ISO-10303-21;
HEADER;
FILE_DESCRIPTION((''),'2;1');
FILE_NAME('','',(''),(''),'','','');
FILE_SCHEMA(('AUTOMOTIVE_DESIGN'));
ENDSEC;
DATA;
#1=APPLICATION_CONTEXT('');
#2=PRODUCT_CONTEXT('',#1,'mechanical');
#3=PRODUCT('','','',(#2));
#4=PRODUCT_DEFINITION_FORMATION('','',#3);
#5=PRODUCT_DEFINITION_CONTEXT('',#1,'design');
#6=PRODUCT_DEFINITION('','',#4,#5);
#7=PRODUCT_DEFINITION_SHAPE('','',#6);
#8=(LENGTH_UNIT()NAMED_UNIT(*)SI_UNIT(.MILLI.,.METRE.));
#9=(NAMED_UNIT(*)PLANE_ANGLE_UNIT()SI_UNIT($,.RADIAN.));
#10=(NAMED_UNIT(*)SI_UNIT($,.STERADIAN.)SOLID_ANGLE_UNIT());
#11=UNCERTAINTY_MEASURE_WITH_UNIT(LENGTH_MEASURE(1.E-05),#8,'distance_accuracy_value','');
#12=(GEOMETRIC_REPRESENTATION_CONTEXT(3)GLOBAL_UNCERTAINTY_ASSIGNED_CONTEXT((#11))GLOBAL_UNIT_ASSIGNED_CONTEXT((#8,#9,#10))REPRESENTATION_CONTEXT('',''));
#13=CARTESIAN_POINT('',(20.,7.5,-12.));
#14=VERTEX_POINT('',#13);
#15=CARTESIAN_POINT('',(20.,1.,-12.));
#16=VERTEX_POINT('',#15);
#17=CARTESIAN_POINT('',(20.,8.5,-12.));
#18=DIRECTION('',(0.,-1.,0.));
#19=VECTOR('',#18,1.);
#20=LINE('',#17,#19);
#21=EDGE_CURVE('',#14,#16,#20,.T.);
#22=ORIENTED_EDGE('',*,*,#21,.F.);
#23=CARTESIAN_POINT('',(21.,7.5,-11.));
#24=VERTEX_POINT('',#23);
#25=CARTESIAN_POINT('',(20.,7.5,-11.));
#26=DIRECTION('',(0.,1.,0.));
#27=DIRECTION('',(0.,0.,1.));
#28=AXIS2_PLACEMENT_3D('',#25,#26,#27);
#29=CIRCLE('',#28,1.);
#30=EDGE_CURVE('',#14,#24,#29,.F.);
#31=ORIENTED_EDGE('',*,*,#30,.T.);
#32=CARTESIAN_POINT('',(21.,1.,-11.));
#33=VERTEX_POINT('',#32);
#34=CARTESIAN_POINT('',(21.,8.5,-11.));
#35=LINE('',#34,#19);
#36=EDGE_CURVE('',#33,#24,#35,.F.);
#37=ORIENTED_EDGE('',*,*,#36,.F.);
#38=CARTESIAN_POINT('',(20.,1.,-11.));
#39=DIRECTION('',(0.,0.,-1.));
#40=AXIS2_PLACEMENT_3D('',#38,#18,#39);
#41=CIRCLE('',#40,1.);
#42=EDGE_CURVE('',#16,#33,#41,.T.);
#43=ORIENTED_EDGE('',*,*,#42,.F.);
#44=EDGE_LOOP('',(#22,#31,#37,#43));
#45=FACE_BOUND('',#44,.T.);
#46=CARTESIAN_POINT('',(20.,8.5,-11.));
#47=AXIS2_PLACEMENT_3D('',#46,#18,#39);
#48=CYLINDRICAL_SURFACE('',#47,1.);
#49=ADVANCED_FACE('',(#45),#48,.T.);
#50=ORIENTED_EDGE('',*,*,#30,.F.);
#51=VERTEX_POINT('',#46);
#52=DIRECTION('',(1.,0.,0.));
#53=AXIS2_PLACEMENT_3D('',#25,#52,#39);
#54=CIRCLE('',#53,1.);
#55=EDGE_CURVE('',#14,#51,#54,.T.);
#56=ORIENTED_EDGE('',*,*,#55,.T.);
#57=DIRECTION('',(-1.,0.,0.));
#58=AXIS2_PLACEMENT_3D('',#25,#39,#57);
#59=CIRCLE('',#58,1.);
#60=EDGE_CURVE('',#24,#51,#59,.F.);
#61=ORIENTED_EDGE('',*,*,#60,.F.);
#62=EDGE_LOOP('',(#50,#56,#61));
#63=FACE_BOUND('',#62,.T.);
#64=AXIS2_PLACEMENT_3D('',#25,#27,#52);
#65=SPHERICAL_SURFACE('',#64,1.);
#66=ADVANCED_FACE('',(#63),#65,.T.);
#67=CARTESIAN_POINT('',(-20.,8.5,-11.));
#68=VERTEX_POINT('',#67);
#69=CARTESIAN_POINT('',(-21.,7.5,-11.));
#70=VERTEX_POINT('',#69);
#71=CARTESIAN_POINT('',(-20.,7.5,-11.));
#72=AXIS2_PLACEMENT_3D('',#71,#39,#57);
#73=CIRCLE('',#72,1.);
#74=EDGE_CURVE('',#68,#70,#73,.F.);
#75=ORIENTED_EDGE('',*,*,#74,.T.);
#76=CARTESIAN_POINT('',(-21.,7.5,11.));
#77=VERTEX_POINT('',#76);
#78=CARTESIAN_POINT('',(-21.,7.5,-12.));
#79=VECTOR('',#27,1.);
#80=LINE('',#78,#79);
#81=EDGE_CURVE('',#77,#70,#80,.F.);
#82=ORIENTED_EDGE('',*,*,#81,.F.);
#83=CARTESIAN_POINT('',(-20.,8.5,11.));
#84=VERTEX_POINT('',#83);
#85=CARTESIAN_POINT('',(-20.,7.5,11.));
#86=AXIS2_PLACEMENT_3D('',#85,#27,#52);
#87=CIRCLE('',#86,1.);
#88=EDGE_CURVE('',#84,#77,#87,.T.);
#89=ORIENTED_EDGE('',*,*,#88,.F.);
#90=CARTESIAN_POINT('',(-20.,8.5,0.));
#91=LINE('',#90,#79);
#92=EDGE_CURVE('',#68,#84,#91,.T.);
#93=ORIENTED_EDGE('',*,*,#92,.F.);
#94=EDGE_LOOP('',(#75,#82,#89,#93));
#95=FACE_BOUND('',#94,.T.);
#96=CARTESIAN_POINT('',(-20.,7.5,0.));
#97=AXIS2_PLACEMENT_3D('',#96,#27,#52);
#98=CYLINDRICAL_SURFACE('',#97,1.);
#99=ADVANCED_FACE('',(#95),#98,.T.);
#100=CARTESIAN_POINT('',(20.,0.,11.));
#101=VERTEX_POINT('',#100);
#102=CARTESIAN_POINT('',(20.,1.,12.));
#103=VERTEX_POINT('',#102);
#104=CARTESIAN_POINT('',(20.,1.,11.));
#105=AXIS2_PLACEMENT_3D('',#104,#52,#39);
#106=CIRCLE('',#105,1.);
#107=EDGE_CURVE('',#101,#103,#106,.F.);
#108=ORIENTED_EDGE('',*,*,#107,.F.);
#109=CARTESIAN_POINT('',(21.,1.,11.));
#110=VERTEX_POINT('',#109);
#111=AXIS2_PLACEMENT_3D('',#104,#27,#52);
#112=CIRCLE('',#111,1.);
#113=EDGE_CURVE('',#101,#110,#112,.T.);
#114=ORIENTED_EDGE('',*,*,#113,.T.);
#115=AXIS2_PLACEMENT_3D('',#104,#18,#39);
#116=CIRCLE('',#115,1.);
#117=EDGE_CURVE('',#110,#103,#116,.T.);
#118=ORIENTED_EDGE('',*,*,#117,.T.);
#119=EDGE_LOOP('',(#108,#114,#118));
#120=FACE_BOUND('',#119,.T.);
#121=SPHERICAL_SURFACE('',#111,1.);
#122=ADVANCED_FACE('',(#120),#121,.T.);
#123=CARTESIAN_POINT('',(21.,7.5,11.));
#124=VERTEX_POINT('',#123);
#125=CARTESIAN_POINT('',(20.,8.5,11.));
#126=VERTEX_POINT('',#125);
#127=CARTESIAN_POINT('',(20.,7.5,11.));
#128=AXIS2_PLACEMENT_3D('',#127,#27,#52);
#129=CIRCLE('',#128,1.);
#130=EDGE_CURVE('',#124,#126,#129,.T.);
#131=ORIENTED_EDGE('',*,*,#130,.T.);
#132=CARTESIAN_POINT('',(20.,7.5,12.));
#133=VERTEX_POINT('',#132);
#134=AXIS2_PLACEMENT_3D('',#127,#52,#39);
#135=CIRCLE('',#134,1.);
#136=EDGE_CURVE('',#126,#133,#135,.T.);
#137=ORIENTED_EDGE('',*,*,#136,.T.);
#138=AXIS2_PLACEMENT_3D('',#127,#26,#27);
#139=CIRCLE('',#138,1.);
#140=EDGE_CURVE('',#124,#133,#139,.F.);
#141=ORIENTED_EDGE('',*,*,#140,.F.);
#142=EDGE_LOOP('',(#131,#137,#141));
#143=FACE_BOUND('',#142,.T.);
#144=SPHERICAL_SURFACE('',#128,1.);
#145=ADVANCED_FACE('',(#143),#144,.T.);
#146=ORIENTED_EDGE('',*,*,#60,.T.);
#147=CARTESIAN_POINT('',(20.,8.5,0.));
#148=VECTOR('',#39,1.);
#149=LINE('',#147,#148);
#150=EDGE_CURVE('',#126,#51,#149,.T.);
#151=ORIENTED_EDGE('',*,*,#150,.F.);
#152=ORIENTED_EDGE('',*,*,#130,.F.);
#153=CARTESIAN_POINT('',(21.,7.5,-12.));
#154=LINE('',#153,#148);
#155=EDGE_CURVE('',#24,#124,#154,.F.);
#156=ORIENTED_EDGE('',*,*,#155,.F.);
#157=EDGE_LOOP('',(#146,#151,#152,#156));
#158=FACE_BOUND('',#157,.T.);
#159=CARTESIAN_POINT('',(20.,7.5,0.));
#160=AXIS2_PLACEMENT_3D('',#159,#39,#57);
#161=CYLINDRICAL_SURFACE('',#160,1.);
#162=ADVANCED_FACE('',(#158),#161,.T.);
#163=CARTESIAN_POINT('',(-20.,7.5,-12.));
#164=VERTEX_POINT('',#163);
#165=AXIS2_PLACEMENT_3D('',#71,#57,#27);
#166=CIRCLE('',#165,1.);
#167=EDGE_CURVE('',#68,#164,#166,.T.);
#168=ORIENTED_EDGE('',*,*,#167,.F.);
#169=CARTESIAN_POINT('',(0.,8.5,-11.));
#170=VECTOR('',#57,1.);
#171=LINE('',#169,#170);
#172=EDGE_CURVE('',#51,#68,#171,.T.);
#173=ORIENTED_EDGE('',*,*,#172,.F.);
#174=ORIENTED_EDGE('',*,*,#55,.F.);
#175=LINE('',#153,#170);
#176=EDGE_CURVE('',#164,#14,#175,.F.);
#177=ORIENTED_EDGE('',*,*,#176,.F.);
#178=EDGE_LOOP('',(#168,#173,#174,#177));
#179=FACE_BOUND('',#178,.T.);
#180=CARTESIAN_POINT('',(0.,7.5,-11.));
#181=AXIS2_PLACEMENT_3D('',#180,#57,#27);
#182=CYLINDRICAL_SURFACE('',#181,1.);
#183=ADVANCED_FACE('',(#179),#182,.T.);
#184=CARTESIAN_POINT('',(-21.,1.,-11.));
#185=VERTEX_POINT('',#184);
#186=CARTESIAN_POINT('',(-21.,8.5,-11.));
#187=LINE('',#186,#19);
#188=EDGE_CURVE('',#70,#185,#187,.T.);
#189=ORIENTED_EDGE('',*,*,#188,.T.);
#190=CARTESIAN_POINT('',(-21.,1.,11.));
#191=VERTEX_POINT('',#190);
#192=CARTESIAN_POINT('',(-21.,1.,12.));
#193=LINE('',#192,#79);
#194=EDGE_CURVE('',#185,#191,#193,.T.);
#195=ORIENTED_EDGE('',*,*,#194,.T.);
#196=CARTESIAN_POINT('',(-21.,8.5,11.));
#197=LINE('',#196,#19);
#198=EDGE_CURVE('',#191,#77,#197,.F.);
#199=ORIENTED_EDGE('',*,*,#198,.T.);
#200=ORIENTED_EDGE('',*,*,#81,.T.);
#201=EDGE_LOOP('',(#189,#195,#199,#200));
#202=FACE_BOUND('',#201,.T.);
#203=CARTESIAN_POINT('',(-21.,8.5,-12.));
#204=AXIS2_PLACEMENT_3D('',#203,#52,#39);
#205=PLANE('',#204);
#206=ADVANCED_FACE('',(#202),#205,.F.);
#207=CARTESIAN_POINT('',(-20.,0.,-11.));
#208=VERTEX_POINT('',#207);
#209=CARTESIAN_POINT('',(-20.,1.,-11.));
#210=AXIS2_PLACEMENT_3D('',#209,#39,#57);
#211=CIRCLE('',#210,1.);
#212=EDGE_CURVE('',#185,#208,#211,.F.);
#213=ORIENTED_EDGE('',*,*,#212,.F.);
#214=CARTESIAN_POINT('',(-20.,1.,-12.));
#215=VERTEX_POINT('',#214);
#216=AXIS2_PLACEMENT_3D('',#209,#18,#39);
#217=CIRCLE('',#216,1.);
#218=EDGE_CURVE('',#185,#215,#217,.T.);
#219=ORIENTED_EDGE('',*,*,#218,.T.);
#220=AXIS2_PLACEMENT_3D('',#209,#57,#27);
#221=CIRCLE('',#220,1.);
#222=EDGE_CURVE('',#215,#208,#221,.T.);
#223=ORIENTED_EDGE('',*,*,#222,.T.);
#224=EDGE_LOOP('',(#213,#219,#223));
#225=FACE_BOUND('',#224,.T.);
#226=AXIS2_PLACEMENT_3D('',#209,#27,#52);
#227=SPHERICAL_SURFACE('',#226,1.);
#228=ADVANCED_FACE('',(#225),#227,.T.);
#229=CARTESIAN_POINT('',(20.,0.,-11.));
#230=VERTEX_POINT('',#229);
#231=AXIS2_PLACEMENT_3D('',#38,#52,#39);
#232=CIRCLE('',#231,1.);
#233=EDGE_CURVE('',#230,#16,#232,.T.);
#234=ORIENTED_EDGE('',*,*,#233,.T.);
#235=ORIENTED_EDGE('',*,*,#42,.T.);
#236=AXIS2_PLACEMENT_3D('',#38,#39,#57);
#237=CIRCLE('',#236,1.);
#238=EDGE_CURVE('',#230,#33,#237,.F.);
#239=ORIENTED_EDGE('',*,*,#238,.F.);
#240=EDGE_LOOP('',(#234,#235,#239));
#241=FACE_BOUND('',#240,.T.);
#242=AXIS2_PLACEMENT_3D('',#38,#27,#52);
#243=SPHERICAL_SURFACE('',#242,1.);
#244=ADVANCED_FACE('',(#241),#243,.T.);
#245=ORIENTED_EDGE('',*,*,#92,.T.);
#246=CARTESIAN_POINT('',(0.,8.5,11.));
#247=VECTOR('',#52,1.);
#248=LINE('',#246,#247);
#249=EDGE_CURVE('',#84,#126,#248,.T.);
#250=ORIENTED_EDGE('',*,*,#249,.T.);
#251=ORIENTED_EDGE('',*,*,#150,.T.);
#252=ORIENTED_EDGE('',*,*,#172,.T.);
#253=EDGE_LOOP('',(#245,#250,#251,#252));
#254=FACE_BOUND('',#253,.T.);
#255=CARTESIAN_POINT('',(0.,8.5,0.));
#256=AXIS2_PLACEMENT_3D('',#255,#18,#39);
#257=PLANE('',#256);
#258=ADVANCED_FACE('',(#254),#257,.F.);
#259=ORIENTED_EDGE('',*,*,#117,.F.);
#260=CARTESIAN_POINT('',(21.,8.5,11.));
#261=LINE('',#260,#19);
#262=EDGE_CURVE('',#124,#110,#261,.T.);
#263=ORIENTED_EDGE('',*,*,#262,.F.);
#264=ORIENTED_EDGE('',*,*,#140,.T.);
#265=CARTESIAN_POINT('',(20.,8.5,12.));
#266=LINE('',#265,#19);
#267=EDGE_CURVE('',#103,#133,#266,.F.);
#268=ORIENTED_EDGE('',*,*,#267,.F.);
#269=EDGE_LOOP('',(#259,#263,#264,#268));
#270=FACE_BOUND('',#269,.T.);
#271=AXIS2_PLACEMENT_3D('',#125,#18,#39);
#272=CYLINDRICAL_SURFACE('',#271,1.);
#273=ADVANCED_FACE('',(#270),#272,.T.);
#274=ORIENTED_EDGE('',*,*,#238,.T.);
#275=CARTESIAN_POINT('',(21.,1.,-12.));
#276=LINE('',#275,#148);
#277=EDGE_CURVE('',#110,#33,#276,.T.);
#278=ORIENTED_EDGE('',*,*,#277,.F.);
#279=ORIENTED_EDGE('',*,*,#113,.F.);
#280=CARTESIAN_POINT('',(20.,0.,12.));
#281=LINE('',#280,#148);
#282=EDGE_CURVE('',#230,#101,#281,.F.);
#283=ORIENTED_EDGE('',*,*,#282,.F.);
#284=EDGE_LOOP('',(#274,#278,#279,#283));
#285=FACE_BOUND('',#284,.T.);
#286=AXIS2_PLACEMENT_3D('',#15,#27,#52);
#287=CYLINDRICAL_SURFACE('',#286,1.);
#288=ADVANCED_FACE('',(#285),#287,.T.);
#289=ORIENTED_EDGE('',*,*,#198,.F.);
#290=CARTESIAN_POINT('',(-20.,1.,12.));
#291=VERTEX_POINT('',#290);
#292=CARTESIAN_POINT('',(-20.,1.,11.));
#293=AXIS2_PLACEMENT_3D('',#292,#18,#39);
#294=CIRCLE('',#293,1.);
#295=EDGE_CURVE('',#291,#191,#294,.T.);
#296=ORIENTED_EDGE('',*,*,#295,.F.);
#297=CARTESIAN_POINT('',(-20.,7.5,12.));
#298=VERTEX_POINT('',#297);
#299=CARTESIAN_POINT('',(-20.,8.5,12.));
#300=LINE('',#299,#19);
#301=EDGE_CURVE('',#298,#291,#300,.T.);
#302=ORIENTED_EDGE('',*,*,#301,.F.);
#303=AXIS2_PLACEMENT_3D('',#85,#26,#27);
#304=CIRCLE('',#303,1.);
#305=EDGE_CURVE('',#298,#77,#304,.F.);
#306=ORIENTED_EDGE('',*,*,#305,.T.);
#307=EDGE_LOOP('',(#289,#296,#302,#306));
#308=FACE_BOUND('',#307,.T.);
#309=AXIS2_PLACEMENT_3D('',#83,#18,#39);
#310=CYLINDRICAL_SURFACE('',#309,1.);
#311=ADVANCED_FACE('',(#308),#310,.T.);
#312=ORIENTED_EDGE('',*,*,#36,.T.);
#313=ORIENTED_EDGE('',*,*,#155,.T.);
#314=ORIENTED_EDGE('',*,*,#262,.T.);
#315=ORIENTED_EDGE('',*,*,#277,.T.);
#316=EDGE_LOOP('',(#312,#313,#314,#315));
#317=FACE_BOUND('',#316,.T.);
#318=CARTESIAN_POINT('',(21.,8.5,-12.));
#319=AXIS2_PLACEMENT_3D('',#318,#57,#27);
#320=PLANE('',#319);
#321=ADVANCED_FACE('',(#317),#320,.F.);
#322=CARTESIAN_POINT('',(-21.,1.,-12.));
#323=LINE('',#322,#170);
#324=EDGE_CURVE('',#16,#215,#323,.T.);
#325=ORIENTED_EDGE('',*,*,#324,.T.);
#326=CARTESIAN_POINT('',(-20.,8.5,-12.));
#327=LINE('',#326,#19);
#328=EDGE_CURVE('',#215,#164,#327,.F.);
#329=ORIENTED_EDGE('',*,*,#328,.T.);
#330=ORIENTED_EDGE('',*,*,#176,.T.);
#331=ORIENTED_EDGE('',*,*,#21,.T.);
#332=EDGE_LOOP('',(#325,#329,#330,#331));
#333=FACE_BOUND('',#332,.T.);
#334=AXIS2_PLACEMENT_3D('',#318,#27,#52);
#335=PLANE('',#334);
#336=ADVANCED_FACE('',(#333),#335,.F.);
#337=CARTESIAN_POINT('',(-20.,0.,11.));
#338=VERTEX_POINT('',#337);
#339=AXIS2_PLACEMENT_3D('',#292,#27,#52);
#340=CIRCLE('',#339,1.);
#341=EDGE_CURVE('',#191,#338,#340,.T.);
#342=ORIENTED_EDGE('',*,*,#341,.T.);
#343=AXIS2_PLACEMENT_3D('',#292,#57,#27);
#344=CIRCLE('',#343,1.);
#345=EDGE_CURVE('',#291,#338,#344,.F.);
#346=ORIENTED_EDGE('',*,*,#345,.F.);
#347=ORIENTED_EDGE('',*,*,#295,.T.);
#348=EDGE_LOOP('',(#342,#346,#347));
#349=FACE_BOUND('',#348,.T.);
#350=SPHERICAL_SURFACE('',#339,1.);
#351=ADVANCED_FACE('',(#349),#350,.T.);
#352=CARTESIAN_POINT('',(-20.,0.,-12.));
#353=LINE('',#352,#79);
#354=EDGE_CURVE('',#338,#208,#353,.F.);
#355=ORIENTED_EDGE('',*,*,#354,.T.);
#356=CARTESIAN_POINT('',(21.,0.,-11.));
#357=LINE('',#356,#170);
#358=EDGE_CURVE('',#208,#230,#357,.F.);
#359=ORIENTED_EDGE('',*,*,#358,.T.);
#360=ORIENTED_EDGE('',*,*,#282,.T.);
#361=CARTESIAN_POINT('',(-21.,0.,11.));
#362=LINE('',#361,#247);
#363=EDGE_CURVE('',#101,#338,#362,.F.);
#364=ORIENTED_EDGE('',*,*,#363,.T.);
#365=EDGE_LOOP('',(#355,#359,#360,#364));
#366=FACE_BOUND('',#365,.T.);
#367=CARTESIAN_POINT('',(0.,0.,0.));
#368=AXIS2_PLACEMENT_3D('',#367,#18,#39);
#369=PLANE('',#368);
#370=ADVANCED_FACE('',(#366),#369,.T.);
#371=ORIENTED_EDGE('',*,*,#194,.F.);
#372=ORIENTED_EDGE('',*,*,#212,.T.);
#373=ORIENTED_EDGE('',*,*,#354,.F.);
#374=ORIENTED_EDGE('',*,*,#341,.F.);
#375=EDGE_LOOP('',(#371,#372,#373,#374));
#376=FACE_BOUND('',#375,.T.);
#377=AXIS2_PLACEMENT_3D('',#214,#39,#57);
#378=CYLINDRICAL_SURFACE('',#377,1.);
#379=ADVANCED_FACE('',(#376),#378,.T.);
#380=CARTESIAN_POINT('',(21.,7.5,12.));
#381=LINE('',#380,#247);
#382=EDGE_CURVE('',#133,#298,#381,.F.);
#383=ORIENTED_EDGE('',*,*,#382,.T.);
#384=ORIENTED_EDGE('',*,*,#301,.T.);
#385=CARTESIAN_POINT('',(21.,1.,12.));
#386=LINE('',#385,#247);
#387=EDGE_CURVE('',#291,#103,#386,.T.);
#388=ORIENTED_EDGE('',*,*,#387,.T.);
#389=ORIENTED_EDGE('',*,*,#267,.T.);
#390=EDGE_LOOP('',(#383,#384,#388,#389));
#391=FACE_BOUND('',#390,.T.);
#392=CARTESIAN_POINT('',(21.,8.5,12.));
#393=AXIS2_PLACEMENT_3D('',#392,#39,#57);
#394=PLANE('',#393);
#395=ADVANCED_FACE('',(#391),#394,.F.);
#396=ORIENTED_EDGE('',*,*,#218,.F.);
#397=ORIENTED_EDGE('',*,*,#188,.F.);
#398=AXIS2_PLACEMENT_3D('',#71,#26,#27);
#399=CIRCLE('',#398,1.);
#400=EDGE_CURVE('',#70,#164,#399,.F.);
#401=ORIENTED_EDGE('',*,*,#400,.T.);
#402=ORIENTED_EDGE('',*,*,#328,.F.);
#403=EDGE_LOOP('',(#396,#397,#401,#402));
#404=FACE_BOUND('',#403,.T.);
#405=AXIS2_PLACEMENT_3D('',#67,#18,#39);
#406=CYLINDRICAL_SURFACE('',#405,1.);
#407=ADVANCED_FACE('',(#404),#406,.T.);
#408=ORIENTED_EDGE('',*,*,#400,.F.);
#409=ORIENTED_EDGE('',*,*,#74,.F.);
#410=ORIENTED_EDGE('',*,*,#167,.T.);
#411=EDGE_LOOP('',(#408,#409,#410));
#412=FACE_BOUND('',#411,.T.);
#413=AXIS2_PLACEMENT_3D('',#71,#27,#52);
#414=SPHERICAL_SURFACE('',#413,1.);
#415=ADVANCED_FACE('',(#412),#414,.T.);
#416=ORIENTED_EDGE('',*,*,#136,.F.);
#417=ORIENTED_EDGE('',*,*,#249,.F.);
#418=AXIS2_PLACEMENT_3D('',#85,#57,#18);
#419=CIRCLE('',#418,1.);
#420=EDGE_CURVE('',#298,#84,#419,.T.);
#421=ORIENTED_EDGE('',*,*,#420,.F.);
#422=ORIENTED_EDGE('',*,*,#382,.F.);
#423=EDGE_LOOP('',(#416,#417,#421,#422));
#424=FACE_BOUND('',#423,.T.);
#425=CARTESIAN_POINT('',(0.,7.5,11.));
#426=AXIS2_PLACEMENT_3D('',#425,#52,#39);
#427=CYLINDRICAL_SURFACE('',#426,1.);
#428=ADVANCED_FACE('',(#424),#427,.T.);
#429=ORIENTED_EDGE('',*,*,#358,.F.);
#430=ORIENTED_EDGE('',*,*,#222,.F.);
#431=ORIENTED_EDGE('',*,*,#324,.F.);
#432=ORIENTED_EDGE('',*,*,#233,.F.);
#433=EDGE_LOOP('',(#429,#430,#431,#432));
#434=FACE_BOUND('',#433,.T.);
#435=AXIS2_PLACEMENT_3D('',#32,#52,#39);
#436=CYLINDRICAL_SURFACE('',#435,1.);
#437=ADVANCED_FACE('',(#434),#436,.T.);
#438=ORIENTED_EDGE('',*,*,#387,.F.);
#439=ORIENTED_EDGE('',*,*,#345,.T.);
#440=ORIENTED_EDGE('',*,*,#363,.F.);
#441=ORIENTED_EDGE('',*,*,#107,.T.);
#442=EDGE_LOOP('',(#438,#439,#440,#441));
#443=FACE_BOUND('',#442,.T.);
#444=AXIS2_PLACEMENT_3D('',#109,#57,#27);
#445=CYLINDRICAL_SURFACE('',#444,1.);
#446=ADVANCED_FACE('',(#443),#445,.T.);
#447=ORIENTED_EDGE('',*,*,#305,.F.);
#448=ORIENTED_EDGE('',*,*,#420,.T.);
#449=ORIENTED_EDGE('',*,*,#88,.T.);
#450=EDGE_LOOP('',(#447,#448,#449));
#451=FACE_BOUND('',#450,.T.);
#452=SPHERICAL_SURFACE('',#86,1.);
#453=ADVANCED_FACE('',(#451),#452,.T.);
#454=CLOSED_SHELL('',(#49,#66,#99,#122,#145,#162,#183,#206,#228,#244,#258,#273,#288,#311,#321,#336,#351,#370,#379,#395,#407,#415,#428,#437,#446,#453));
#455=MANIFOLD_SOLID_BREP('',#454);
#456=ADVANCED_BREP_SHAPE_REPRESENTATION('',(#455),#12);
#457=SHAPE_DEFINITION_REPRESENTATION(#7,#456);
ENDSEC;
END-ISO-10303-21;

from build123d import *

# Parameters (mm, degrees)
SKETCH1_W           = 42
SKETCH1_H           = 24
BOSS_EXTRUDE1_DEPTH = 8.5
FILLET1_R           = 1


with BuildPart() as part:
    # Sketch1 → Boss-Extrude1 (new body)
    with BuildSketch(Plane(origin=(0, 0, 0), x_dir=(1, 0, 0), z_dir=(0, 1, 0))):
        Rectangle(SKETCH1_W, SKETCH1_H)
    extrude(amount=BOSS_EXTRUDE1_DEPTH)

    # Fillet1
    fillet1_edges = [part.edges().sort_by_distance(p)[0] for p in [
        (21, 8.5, 0),
        (0, 8.5, -12),
        (-21, 8.5, 0),
        (0, 0, -12),
        (21, 0, 0),
        (0, 0, 12),
        (-21, 0, 0),
        (0, 8.5, 12),
        (-21, 4.25, -12),
        (21, 4.25, -12),
        (21, 4.25, 12),
        (-21, 4.25, 12),
    ]]
    fillet(fillet1_edges, radius=FILLET1_R)


solid = part.part
